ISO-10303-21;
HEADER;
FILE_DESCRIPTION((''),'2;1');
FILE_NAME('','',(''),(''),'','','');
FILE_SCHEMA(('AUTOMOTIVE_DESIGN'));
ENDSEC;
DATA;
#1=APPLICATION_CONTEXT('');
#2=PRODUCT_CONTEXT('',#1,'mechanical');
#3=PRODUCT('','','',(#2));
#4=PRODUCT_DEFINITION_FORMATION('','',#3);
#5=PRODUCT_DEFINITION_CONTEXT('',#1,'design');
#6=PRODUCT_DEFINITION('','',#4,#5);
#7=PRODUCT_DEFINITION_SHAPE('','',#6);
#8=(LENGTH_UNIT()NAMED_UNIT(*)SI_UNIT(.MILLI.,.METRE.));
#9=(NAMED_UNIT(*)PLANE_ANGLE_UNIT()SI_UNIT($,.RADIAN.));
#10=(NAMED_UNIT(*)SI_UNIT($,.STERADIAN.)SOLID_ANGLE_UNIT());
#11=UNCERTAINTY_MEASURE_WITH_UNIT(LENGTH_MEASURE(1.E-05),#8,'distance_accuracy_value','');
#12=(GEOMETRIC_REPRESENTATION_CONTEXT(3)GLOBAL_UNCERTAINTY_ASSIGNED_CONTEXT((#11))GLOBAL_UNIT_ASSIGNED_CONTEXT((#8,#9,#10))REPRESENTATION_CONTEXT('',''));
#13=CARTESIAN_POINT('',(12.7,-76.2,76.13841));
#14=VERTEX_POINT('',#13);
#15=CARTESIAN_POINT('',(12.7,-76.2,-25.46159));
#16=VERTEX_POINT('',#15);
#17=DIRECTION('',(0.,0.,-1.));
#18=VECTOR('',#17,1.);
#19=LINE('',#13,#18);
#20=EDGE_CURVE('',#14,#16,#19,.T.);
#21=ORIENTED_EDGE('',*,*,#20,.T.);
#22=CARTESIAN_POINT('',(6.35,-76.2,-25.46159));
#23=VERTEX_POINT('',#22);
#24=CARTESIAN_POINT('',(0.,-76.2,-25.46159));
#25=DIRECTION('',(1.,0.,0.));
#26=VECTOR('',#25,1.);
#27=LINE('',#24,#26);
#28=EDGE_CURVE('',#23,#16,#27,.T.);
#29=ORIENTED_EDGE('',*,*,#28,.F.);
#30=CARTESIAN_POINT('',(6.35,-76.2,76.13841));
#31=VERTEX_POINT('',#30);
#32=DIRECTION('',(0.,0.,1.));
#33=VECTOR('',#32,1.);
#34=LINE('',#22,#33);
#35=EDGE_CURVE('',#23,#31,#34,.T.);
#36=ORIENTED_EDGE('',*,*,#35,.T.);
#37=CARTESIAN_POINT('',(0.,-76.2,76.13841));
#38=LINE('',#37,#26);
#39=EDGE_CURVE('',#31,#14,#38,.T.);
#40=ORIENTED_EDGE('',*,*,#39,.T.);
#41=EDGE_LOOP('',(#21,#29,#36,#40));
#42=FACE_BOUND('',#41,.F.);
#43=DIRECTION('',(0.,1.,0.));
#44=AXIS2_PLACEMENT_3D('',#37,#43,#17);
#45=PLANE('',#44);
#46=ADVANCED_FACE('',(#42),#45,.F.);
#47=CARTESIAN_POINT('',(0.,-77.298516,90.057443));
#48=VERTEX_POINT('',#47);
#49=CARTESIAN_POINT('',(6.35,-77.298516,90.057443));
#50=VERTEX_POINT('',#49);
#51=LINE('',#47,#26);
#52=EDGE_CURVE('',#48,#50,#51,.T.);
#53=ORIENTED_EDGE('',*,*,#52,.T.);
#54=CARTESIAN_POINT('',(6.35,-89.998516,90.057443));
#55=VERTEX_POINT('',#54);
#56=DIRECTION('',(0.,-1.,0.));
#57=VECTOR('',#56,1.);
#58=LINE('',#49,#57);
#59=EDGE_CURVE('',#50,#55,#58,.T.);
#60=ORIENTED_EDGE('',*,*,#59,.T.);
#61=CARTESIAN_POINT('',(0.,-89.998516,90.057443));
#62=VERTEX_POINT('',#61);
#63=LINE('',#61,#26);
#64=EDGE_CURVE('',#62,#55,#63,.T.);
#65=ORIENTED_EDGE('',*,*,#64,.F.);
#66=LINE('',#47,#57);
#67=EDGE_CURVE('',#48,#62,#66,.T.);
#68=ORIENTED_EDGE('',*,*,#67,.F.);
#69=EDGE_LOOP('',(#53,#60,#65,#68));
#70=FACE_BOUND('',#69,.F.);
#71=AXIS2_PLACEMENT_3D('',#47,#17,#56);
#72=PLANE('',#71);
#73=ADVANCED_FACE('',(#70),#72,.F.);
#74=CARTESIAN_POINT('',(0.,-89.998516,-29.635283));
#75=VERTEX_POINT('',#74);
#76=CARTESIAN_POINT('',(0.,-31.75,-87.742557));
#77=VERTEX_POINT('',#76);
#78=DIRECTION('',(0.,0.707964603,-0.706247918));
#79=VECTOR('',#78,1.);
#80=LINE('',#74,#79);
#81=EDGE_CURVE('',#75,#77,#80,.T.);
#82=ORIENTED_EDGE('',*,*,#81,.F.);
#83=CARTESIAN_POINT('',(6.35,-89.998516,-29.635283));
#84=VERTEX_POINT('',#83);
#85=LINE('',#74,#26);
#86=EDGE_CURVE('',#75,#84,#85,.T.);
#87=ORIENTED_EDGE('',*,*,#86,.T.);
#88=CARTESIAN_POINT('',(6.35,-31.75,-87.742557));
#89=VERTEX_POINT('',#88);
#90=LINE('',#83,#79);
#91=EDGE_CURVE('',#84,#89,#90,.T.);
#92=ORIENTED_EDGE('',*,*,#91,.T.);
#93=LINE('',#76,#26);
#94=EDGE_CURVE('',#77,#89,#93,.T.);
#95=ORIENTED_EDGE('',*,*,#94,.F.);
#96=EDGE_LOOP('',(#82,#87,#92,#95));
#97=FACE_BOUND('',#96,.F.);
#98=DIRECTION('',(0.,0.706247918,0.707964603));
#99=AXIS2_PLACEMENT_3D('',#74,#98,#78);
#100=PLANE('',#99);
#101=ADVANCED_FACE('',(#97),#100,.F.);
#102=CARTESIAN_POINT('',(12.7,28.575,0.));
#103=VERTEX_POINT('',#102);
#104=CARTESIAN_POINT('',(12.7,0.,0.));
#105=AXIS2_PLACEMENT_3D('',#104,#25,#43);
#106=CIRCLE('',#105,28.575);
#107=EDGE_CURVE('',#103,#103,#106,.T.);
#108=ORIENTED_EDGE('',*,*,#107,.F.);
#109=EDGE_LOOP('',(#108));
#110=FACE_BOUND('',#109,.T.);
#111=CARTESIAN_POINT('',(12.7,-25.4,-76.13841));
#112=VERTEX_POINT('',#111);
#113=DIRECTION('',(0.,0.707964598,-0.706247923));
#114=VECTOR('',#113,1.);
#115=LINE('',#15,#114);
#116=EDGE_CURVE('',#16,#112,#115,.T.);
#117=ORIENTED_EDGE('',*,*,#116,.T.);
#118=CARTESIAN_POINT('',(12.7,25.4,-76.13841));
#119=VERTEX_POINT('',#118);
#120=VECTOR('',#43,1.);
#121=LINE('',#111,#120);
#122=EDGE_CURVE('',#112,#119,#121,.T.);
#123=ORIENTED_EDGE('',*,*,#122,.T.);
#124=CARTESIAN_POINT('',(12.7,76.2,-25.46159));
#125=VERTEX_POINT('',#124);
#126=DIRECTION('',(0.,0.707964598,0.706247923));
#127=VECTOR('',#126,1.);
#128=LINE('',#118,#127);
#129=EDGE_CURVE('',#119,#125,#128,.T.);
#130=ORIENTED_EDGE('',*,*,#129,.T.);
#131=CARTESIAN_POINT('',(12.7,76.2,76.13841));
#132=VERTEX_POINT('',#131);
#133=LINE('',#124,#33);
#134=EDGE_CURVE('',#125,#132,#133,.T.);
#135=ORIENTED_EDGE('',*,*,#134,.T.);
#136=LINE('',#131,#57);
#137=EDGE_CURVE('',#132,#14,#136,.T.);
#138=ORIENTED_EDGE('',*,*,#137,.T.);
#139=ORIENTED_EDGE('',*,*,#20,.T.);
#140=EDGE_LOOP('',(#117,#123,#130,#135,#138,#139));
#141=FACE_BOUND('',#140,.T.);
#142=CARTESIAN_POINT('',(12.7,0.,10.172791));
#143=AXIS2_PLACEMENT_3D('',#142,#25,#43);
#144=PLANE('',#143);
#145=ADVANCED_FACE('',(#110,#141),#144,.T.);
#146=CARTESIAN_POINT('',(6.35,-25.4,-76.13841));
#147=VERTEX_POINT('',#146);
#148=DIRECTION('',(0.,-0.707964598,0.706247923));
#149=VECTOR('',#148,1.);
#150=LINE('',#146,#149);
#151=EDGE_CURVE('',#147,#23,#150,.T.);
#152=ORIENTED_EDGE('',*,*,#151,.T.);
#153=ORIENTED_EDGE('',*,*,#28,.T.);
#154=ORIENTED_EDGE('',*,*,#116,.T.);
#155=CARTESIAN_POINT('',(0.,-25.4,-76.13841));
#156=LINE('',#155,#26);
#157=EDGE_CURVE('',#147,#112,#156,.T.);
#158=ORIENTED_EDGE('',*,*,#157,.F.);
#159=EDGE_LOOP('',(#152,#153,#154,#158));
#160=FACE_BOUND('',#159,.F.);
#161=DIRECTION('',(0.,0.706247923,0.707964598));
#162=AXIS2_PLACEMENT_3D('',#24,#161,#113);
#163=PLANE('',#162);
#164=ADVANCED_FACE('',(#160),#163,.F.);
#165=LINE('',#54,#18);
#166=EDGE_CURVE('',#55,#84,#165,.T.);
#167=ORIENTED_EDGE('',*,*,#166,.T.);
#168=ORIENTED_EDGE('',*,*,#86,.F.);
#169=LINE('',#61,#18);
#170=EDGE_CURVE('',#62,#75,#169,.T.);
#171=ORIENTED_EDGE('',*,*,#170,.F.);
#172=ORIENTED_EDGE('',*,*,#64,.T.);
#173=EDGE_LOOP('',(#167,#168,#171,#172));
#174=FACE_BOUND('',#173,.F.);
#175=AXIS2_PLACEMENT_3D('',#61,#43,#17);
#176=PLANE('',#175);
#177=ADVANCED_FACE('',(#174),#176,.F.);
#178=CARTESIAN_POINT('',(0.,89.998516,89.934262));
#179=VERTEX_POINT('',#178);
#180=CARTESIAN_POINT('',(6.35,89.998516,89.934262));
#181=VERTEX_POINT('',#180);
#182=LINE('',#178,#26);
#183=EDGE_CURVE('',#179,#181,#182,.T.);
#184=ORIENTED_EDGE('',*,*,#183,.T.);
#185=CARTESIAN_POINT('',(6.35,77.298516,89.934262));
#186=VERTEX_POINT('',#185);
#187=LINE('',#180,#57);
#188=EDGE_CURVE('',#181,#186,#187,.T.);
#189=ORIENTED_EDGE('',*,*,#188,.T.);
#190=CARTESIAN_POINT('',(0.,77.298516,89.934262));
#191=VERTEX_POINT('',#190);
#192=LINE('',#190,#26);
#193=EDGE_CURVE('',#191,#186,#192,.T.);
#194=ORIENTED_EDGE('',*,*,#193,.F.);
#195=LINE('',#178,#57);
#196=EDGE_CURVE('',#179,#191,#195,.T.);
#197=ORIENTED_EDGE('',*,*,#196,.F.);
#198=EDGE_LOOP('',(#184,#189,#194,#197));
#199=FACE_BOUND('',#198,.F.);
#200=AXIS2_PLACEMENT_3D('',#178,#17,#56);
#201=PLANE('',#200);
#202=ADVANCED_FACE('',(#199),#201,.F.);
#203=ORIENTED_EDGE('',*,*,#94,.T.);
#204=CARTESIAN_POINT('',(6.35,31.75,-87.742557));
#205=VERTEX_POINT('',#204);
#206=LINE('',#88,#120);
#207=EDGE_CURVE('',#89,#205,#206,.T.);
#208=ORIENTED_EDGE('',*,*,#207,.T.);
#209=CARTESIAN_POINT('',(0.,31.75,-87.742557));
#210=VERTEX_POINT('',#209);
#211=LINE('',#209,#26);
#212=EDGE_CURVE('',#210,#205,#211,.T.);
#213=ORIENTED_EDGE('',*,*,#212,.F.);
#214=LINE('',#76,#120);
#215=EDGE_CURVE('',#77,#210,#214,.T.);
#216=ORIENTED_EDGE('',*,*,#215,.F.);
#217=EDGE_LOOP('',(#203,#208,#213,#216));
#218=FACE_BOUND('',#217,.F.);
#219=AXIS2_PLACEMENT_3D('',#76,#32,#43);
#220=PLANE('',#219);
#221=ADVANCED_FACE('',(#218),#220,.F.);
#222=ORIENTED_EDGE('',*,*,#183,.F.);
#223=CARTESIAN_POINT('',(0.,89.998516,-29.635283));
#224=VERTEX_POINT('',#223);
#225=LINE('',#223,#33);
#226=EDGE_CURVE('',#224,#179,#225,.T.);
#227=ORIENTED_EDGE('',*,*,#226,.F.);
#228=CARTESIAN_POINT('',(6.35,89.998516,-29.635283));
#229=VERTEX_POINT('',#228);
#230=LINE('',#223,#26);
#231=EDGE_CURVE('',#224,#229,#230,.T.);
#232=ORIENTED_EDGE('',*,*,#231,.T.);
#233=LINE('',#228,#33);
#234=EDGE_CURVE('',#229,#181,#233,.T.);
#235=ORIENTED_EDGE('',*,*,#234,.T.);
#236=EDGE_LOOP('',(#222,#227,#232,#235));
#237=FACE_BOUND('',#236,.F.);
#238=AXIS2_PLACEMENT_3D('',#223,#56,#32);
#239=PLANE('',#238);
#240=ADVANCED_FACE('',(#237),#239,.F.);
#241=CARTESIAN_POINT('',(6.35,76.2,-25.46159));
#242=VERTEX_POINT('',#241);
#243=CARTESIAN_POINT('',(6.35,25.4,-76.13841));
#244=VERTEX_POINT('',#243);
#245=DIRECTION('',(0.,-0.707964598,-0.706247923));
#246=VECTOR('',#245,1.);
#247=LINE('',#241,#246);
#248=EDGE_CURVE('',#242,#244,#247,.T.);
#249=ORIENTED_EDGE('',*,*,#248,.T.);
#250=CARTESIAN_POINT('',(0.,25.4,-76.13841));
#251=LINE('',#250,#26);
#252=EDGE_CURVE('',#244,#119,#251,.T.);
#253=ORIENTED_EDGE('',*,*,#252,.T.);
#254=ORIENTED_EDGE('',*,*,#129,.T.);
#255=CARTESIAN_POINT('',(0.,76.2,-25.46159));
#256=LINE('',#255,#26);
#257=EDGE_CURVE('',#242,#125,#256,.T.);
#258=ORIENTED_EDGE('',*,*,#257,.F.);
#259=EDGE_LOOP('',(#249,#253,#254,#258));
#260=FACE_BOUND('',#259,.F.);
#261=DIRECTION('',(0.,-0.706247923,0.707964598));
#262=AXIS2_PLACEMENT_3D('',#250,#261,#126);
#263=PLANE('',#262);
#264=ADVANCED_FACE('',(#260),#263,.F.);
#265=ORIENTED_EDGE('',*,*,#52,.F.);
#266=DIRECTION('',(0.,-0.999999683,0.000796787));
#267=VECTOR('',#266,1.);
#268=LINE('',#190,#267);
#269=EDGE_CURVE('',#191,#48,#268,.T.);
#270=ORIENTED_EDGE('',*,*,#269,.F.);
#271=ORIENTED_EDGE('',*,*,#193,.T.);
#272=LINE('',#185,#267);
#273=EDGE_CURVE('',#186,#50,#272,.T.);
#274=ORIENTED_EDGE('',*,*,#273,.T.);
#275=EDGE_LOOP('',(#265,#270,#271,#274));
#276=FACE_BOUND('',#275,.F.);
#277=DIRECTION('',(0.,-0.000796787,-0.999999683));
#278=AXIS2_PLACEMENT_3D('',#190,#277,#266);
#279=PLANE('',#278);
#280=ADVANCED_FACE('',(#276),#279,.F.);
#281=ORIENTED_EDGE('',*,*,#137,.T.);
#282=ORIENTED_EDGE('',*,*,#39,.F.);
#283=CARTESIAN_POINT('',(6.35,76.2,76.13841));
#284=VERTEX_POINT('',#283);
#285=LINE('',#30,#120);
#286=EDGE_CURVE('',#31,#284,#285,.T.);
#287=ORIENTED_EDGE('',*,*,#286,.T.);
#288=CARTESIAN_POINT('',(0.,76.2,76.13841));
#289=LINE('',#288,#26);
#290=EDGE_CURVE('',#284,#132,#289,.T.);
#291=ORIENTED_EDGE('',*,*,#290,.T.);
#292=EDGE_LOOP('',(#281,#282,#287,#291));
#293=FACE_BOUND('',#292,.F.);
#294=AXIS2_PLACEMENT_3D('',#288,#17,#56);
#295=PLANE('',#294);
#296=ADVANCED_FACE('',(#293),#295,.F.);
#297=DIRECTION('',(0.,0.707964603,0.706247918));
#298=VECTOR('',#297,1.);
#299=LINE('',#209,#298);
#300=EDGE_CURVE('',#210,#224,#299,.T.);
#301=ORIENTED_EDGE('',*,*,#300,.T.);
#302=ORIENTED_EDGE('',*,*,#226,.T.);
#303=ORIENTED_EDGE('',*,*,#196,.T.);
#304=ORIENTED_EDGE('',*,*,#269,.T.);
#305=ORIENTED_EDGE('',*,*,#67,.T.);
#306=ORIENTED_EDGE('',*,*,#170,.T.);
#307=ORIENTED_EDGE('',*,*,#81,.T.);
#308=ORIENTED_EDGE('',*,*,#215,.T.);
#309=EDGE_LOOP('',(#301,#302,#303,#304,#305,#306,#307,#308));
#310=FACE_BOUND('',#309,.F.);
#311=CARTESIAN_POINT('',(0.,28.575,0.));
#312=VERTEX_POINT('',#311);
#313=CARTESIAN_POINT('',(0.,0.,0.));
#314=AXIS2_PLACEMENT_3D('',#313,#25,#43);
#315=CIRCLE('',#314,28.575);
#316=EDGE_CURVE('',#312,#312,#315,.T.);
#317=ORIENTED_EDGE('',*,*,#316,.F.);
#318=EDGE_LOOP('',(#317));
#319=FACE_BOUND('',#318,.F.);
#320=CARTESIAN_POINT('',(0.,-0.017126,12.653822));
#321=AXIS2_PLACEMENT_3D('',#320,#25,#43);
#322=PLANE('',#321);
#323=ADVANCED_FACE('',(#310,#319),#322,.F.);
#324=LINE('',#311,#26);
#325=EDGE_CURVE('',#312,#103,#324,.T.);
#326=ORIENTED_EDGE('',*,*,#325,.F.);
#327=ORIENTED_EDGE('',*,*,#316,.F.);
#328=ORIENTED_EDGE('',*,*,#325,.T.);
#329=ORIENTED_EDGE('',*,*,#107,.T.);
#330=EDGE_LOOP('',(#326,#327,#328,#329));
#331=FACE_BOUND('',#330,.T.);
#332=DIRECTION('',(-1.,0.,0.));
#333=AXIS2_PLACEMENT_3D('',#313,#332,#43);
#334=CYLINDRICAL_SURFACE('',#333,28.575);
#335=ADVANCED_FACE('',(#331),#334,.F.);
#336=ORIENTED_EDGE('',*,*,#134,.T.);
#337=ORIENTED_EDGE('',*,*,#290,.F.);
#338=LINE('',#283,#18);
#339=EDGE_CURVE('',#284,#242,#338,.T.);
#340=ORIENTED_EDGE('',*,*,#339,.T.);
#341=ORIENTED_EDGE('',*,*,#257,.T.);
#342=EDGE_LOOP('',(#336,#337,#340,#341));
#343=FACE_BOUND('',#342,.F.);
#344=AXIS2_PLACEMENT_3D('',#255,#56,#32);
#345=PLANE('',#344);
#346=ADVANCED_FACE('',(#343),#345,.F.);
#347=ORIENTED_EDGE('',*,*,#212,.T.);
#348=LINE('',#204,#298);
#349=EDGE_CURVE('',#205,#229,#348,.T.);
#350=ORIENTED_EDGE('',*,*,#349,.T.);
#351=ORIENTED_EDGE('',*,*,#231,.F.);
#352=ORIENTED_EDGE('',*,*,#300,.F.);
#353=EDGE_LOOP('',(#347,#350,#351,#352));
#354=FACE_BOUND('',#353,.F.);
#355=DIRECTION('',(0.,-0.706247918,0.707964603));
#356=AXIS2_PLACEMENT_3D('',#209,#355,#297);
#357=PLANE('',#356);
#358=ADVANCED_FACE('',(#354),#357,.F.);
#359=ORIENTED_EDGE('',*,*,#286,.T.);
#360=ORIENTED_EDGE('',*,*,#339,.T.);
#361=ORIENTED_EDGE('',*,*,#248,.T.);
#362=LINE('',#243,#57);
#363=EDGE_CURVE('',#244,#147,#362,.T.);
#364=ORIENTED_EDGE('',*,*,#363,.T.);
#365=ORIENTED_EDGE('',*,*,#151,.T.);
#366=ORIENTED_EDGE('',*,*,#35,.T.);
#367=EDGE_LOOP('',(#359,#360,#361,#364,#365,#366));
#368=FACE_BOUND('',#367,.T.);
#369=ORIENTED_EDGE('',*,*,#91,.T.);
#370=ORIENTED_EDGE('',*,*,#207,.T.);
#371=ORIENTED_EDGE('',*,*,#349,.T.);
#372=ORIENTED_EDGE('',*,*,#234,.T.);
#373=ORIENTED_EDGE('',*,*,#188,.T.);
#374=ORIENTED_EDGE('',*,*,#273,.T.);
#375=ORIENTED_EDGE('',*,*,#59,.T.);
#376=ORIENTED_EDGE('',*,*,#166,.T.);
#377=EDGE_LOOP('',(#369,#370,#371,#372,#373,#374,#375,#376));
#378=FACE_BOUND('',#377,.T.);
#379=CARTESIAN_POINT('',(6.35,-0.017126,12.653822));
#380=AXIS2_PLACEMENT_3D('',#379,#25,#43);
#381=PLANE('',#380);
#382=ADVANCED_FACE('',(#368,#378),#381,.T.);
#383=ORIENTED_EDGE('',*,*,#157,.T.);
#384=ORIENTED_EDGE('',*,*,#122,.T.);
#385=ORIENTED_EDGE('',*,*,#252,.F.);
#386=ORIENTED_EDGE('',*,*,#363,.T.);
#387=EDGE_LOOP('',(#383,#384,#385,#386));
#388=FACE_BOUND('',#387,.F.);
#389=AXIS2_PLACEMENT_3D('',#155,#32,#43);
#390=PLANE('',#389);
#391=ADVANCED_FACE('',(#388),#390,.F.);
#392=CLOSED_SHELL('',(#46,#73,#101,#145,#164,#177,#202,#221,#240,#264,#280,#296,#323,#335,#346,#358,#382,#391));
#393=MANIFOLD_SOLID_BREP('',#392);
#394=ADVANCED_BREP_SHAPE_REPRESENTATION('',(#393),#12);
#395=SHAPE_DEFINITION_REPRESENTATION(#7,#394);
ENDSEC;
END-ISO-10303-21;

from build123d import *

# Parameters (mm, degrees)
F0_R     = 28.575
F1_DEPTH = 12.7
F2_DEPTH = 6.35


with BuildPart() as f1:
    # F0 (on Right) → F1 (new body)
    with BuildSketch(Plane.YZ):
        Polygon((-76.2, -25.46159), (-25.4, -76.13841), (25.4, -76.13841), (76.2, -25.46159), (76.2, 76.13841), (-76.2, 76.13841), align=None)
        Circle(F0_R, mode=Mode.SUBTRACT)
    extrude(amount=F1_DEPTH)

    # F0 (on Right) → F2 (join)
    with BuildSketch(Plane.YZ):
        Polygon((89.998516, 89.934262), (77.298516, 89.934262), (-77.298516, 90.057443), (-89.998516, 90.057443), (-89.998516, -29.635283), (-31.75, -87.742557), (31.75, -87.742557), (89.998516, -29.635283), (89.998516, 77.234262), align=None)
        Polygon((25.4, -76.13841), (-25.4, -76.13841), (-76.2, -25.46159), (-76.2, 76.13841), (76.2, 76.13841), (76.2, -25.46159), align=None, mode=Mode.SUBTRACT)
    extrude(amount=F2_DEPTH)


solid = f1.part
